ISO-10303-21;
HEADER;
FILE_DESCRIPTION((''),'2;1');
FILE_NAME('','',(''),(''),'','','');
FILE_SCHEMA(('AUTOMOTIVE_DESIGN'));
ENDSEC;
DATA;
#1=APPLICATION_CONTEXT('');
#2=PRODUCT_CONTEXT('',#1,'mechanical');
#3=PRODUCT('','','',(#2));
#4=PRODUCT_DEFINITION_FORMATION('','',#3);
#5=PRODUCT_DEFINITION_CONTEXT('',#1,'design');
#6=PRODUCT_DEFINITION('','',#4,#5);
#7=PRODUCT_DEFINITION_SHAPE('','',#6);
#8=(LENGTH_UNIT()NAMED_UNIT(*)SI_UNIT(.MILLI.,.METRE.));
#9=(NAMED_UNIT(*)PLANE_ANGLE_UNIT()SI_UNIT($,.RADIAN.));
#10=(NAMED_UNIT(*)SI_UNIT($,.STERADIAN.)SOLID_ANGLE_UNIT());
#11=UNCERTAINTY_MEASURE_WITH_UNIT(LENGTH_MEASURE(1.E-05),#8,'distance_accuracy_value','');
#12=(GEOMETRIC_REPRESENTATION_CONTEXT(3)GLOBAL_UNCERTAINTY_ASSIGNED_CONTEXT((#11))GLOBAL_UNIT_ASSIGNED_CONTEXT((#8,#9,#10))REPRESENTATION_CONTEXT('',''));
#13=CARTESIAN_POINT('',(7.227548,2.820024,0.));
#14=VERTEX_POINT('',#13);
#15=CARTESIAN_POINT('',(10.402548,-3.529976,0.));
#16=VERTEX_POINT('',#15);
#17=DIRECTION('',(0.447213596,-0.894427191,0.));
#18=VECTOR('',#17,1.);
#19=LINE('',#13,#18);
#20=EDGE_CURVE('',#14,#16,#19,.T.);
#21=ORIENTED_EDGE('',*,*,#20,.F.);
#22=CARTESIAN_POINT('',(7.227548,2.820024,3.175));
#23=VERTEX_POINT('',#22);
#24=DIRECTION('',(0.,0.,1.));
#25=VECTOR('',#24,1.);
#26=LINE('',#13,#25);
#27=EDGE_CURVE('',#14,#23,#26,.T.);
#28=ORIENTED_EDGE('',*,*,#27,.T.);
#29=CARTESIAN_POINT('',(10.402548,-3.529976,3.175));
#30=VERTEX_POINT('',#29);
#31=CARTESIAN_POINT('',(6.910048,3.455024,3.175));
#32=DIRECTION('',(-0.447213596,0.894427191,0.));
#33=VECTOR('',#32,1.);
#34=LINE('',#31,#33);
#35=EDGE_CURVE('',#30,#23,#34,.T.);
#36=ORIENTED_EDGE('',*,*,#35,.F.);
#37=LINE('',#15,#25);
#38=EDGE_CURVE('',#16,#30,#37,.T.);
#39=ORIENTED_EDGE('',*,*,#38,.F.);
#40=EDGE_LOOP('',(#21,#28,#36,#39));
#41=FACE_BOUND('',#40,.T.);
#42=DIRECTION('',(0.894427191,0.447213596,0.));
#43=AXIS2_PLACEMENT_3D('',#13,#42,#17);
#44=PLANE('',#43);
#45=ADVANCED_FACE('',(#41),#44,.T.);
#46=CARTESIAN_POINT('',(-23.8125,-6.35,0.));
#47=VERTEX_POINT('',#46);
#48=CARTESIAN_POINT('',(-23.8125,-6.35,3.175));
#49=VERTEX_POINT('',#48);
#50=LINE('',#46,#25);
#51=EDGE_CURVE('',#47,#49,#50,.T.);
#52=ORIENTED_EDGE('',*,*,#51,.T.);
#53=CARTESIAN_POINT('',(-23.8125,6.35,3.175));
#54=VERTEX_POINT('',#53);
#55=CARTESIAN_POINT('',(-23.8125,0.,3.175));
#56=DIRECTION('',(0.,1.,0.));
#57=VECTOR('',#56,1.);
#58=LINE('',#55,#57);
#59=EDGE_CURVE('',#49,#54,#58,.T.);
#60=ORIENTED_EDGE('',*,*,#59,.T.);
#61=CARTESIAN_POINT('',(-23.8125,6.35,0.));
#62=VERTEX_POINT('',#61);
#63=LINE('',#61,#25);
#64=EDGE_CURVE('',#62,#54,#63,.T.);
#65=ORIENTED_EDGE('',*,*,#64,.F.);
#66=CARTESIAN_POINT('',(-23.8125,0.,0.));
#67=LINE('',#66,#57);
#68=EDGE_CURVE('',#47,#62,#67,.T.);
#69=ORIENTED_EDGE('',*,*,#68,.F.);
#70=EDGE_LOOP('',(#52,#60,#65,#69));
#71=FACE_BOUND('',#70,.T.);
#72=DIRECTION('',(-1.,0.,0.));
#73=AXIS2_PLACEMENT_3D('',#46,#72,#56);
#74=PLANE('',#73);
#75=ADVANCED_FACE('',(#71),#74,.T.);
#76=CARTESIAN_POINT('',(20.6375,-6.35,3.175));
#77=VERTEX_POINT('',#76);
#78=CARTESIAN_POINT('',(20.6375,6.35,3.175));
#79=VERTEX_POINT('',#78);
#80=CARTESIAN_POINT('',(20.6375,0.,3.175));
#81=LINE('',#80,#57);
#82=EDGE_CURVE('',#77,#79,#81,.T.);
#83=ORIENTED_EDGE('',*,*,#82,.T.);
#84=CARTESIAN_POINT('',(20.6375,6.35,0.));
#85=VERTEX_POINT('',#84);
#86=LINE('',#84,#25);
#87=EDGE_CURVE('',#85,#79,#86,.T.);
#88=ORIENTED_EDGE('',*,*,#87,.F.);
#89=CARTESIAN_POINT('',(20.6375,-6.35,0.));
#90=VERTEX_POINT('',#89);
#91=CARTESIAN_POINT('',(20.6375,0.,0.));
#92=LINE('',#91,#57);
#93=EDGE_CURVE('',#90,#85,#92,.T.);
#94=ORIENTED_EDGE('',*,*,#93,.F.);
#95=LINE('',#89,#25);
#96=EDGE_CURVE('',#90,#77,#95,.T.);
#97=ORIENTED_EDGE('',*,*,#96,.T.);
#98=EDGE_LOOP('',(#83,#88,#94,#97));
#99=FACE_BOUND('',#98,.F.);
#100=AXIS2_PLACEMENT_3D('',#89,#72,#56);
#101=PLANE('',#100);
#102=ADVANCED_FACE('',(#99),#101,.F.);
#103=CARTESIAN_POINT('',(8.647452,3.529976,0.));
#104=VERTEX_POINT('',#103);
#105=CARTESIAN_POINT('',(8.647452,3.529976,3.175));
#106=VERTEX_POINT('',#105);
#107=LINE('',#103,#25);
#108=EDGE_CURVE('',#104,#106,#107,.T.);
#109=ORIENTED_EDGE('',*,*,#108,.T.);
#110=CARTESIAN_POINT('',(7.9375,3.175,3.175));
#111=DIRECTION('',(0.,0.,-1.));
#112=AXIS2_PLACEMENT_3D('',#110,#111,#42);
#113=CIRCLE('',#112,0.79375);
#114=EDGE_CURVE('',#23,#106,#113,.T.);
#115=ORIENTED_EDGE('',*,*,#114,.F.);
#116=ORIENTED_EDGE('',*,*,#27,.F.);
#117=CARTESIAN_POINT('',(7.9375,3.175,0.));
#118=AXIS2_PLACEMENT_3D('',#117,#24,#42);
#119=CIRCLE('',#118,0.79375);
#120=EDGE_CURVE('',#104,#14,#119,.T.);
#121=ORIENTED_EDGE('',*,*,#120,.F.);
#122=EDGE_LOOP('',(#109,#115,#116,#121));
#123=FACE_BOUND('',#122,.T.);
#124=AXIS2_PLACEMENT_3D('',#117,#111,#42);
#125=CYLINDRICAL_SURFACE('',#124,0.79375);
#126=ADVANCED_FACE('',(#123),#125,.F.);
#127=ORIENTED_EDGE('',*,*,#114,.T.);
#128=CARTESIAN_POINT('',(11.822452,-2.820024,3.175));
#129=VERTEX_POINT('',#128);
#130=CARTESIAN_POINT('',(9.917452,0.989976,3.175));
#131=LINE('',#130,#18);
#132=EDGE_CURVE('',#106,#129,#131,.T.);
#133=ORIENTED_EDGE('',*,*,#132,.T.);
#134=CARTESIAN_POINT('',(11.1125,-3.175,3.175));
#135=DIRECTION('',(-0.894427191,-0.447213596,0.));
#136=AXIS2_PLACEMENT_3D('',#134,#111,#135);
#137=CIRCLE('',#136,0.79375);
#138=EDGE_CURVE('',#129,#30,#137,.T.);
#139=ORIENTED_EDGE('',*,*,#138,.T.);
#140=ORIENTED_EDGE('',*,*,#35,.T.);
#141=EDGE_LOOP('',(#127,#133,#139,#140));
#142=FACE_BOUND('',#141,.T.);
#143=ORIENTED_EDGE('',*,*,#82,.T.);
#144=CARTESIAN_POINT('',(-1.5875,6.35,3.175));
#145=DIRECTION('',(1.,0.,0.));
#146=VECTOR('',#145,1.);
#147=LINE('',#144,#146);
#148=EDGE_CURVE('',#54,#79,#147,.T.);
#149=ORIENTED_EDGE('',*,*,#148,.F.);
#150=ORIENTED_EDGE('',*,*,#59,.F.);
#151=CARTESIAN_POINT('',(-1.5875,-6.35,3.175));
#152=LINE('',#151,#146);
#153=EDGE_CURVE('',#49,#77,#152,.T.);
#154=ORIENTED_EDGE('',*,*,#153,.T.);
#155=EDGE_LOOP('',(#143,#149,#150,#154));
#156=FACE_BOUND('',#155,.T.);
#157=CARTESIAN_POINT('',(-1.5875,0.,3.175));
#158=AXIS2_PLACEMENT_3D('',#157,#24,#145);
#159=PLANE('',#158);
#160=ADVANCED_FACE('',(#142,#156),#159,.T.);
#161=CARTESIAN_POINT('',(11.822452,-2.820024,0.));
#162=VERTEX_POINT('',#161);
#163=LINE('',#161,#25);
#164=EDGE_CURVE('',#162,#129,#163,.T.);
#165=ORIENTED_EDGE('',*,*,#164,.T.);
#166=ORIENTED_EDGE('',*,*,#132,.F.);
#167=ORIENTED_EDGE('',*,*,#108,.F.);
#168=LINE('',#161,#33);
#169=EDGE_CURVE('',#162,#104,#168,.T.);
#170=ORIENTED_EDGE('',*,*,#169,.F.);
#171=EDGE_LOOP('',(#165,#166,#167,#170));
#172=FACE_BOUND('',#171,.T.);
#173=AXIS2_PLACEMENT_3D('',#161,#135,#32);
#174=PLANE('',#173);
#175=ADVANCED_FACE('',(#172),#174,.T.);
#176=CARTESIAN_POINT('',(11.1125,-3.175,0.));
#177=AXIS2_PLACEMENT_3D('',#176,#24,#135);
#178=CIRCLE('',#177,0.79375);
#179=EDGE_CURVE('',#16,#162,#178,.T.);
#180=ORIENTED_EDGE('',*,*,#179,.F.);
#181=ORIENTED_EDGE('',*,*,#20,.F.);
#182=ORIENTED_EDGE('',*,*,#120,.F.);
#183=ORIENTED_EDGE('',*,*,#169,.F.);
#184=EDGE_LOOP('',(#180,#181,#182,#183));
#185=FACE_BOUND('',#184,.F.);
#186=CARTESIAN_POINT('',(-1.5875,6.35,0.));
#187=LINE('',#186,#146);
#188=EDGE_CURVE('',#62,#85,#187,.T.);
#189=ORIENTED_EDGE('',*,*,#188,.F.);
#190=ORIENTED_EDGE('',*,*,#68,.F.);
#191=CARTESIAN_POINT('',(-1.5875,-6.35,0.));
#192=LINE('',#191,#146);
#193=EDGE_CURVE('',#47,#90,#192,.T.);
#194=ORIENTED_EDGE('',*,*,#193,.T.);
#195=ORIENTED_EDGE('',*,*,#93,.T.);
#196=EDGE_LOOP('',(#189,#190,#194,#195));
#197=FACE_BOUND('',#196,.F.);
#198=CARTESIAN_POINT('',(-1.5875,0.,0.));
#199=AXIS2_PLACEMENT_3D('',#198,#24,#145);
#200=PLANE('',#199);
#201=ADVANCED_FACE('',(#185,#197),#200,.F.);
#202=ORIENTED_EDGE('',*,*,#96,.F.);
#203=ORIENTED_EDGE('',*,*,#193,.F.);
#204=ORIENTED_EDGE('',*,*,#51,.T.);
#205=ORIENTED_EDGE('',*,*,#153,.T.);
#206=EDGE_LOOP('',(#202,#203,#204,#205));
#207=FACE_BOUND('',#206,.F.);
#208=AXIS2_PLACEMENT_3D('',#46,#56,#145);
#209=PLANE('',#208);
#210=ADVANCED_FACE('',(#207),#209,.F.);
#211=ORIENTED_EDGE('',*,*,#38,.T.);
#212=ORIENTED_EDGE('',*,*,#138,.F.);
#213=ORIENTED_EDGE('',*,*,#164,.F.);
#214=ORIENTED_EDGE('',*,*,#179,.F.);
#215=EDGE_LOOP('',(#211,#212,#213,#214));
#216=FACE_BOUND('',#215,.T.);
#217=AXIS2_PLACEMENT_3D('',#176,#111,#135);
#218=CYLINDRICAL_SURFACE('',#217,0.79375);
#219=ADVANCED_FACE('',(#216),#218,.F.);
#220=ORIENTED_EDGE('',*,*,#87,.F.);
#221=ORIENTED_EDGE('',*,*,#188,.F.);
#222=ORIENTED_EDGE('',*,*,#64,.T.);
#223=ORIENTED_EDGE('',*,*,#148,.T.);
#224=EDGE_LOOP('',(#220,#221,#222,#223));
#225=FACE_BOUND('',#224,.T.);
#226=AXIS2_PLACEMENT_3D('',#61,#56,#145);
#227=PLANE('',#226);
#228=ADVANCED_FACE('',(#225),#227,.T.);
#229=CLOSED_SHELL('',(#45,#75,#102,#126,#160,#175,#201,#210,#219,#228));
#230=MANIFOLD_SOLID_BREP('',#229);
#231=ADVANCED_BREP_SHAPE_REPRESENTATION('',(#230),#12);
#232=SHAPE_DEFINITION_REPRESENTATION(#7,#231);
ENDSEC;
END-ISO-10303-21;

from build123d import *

# Parameters (mm, degrees)
F0_W     = 44.45
F0_H     = 12.7
F1_DEPTH = 3.175
F3_DEPTH = 3.176


with BuildPart() as f1:
    # F0 (on Top) → F1 (new body)
    with BuildSketch(Plane.XY):
        with Locations((-1.5875, 0)):
            Rectangle(F0_W, F0_H)
    extrude(amount=F1_DEPTH)

    # F2 (on Top) → F3 (cut, through all)
    with BuildSketch(Plane.XY):
        with BuildLine():
            ThreePointArc((8.647452, 3.529976), (7.582524, 3.884952), (7.227548, 2.820024))
            Line((7.227548, 2.820024), (10.402548, -3.529976))
            ThreePointArc((10.402548, -3.529976), (11.467476, -3.884952), (11.822452, -2.820024))
            Line((11.822452, -2.820024), (8.647452, 3.529976))
        make_face()
    extrude(amount=F3_DEPTH, mode=Mode.SUBTRACT)


solid = f1.part
